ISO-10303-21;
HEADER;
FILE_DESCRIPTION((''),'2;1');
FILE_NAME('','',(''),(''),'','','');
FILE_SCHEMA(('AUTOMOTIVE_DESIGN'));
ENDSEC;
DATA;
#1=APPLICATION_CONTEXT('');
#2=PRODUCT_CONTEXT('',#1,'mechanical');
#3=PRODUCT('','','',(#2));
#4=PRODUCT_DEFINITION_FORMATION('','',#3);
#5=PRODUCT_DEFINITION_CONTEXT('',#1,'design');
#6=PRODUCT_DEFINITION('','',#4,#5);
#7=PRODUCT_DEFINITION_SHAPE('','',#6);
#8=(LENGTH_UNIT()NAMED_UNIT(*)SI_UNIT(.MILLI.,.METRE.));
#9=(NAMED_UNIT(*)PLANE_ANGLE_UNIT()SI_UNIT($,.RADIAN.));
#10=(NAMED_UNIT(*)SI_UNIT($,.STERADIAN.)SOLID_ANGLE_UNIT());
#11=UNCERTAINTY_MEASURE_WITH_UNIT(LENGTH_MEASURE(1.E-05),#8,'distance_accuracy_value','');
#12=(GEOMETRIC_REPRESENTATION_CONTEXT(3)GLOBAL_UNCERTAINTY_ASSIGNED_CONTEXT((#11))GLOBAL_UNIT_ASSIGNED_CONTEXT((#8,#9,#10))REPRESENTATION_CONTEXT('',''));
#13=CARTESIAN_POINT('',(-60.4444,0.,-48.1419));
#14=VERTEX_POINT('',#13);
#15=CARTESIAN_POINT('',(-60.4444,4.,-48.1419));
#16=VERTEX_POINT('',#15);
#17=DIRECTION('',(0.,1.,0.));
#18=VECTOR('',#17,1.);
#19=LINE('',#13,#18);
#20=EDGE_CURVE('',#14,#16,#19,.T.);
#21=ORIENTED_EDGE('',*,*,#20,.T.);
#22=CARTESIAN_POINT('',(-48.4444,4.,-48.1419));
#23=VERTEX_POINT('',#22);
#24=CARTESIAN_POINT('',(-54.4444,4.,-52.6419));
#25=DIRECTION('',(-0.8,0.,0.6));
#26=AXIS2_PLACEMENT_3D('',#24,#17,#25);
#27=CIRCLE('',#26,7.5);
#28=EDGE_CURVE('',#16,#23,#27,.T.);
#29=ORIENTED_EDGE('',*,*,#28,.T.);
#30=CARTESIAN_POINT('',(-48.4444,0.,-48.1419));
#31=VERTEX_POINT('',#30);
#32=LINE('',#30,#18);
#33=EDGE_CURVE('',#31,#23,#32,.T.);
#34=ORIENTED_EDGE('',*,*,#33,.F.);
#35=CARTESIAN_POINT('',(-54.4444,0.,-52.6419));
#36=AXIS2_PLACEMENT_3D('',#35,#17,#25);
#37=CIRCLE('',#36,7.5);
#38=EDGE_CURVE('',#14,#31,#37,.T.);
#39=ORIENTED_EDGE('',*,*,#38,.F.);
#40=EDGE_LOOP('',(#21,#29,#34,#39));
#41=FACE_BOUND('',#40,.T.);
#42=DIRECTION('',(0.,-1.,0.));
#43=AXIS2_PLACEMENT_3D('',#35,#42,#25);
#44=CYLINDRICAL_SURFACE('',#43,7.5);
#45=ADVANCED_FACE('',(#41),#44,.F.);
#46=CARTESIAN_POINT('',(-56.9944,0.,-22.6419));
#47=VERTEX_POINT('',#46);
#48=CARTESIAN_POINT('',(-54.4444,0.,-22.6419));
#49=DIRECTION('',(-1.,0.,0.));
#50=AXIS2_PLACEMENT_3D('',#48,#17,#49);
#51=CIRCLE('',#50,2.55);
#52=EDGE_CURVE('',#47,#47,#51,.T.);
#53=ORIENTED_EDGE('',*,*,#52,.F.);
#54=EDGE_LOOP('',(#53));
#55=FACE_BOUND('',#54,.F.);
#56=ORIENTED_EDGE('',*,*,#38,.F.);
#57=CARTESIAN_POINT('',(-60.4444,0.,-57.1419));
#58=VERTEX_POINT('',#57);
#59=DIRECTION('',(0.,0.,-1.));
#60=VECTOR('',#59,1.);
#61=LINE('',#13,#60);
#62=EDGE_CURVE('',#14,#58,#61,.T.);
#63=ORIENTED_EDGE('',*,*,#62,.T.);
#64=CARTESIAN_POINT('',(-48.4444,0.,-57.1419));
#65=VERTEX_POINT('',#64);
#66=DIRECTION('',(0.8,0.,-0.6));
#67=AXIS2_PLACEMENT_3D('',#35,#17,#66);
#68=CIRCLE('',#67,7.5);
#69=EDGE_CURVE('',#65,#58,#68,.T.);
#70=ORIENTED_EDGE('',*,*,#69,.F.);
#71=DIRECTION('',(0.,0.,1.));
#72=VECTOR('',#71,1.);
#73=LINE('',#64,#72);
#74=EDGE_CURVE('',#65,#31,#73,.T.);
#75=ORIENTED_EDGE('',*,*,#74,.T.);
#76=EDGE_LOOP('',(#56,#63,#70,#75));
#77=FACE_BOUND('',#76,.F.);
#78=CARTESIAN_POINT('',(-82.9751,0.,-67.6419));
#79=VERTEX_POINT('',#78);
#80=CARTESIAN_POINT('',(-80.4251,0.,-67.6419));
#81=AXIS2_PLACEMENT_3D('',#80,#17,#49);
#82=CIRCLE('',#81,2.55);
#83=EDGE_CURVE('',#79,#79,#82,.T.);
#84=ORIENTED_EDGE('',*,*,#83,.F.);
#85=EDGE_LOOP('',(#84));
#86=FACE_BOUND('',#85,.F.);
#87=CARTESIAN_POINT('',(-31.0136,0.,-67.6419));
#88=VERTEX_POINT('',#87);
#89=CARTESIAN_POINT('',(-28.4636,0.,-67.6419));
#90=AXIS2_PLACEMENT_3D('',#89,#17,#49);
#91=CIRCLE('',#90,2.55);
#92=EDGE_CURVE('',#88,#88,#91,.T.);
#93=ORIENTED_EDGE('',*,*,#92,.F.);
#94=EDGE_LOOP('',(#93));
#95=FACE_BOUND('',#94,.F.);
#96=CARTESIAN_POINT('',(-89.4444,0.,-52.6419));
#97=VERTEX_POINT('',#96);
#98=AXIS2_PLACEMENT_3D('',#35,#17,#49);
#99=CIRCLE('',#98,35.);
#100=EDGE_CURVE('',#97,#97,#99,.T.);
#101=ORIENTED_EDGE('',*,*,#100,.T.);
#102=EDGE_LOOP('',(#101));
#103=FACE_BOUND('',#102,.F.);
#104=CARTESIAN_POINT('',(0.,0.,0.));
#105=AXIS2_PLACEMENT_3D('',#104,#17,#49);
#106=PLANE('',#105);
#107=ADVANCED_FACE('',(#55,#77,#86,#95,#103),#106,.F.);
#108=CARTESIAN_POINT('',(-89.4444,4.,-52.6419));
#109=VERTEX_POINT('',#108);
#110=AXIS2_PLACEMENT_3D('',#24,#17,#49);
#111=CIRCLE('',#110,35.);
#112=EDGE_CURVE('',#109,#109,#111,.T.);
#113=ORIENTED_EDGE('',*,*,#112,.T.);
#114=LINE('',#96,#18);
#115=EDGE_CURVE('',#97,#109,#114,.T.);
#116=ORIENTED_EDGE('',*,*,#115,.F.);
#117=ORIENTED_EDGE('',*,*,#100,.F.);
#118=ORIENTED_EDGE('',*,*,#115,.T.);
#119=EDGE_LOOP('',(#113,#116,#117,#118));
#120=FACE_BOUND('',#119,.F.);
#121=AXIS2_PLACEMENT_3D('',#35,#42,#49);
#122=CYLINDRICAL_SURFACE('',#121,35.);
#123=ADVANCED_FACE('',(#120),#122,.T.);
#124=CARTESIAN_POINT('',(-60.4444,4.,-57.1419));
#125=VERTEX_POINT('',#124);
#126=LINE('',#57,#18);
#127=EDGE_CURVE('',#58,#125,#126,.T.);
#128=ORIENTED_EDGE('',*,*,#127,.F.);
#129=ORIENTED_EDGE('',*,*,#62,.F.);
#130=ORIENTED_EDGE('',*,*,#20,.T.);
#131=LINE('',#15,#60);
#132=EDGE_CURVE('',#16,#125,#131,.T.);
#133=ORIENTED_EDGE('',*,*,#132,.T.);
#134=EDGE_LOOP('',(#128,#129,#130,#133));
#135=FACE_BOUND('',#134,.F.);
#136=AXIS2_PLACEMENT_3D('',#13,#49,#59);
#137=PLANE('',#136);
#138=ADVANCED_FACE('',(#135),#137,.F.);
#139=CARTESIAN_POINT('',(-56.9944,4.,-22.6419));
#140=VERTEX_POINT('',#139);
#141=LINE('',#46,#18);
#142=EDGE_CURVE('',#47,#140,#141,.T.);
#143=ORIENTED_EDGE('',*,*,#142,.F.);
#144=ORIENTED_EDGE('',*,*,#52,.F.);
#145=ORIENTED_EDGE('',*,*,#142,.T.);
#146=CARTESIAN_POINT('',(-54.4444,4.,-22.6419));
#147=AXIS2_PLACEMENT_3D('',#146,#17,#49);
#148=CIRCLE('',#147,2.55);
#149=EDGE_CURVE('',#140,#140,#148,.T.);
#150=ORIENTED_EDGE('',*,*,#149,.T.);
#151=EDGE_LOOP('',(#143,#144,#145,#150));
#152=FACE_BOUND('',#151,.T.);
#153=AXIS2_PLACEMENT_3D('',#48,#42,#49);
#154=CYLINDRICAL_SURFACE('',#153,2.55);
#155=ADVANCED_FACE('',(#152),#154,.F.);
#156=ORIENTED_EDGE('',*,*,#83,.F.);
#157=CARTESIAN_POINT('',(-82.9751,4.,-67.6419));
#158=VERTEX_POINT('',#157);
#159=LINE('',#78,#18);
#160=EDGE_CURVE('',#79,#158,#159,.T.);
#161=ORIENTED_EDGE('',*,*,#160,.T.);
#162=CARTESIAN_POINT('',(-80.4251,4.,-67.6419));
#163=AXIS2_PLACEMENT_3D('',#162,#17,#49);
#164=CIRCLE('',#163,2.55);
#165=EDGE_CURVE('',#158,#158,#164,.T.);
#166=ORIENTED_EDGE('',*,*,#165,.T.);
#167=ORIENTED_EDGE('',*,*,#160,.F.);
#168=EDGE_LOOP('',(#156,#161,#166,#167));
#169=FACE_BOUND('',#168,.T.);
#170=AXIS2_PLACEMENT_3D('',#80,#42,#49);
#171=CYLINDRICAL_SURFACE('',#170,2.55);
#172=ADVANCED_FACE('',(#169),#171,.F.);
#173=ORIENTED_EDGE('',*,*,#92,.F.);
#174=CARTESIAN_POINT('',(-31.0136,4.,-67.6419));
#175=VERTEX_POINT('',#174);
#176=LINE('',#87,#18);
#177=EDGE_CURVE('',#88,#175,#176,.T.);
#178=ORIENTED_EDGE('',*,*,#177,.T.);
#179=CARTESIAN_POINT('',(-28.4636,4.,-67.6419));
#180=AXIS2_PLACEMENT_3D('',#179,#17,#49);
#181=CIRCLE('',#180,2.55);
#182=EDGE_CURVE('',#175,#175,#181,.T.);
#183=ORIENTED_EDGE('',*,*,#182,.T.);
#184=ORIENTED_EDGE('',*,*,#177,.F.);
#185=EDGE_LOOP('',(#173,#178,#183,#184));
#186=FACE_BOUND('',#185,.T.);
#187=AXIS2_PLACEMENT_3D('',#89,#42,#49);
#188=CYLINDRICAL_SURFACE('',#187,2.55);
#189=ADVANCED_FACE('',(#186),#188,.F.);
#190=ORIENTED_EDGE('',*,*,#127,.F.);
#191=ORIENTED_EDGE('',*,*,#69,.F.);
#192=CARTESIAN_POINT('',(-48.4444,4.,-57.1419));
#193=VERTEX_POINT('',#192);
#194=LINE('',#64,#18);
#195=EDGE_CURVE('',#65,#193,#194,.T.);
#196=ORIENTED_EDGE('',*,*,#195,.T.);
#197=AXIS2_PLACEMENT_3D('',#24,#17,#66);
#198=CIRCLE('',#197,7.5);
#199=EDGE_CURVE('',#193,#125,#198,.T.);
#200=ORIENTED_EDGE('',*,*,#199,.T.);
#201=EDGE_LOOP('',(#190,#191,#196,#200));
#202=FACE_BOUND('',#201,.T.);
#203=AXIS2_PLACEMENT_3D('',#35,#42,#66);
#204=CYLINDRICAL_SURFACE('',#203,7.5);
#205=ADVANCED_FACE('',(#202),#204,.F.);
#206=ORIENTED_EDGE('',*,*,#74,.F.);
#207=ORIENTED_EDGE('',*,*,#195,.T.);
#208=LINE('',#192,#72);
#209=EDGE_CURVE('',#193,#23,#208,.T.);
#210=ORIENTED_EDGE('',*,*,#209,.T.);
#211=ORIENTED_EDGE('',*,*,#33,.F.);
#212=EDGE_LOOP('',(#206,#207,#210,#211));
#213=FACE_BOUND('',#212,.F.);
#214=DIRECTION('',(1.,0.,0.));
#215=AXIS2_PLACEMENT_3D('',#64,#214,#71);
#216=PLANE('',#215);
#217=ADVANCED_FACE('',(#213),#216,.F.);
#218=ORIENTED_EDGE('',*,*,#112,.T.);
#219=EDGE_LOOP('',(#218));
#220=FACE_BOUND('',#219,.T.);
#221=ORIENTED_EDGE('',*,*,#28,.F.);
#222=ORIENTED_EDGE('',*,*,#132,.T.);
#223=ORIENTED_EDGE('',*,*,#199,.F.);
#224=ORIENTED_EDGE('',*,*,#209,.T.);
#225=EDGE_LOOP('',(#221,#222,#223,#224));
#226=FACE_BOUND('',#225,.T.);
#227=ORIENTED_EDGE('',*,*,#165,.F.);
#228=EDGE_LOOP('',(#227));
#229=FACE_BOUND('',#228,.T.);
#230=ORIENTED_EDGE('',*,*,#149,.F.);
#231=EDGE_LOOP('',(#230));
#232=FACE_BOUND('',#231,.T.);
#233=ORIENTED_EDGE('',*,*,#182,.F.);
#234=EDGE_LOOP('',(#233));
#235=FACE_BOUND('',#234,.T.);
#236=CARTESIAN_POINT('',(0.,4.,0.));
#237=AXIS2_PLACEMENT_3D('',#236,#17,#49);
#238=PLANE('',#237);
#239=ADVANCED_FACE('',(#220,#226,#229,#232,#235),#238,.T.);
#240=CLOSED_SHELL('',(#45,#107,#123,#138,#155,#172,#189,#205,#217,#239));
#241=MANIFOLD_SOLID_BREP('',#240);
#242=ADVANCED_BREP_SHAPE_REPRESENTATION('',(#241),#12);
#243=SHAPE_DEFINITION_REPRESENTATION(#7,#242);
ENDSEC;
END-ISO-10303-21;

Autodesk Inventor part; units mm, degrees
ref_plane "YZ Plane" through (0, 0, 0) normal (1, 0, 0) x (0, 1, 0)
ref_plane "XZ Plane" through (0, 0, 0) normal (0, 1, 0) x (-1, 0, 0)
ref_plane "XY Plane" through (0, 0, 0) normal (0, 0, 1) x (1, 0, 0)
sketch "Эскиз1" plane through (0, 0, 0) normal (0, 1, 0) x (-1, 0, 0)
  line L0 (48.4444, -57.1419) -> (48.4444, -48.1419) projected
  arc A0 (60.4444, -48.1419) -> (48.4444, -48.1419) centre (54.4444, -52.6419) ccw projected
  line L1 (60.4444, -48.1419) -> (60.4444, -57.1419) projected
  arc A1 (48.4444, -57.1419) -> (60.4444, -57.1419) centre (54.4444, -52.6419) ccw projected
  circle A2 centre (54.4444, -52.6419) radius 30 construction
  circle A3 centre (54.4444, -52.6419) radius 35
  circle A4 centre (28.4636, -67.6419) radius 2.55
  circle A5 centre (54.4444, -52.6419) radius 30 construction
  circle A6 centre (80.4251, -67.6419) radius 2.55
  circle A7 centre (54.4444, -52.6419) radius 30 construction
  circle A8 centre (54.4444, -22.6419) radius 2.55
  point P0 (0, 0)
  point P1 (109.6501, -75.8137)
  dimension "d5" = 60
  dimension "d4" = 70
  dimension "d6" = 5.1
  dimension "d9" = 360
extrude "Выдавливание1" add sketch "Эскиз1" along normal blind 4
equation "\"tolerance_plazma\" = 0.1"
equation "\"thickness_steel\" = 3"
equation "\"d_main_screw_holes\" = 6.1"
equation "\"thickness_profile_tibea\" = 3"
equation "\"thickness_profile_femur\" = 3"
equation "\"hight_shaft_shift\" = 37"
equation "\"width_shaft_shift\" = 35"
equation "\"width_flattened_surface\" = 12"
properties part number "tibea_vodilo_steel" material "Сталь 09Г2С"
